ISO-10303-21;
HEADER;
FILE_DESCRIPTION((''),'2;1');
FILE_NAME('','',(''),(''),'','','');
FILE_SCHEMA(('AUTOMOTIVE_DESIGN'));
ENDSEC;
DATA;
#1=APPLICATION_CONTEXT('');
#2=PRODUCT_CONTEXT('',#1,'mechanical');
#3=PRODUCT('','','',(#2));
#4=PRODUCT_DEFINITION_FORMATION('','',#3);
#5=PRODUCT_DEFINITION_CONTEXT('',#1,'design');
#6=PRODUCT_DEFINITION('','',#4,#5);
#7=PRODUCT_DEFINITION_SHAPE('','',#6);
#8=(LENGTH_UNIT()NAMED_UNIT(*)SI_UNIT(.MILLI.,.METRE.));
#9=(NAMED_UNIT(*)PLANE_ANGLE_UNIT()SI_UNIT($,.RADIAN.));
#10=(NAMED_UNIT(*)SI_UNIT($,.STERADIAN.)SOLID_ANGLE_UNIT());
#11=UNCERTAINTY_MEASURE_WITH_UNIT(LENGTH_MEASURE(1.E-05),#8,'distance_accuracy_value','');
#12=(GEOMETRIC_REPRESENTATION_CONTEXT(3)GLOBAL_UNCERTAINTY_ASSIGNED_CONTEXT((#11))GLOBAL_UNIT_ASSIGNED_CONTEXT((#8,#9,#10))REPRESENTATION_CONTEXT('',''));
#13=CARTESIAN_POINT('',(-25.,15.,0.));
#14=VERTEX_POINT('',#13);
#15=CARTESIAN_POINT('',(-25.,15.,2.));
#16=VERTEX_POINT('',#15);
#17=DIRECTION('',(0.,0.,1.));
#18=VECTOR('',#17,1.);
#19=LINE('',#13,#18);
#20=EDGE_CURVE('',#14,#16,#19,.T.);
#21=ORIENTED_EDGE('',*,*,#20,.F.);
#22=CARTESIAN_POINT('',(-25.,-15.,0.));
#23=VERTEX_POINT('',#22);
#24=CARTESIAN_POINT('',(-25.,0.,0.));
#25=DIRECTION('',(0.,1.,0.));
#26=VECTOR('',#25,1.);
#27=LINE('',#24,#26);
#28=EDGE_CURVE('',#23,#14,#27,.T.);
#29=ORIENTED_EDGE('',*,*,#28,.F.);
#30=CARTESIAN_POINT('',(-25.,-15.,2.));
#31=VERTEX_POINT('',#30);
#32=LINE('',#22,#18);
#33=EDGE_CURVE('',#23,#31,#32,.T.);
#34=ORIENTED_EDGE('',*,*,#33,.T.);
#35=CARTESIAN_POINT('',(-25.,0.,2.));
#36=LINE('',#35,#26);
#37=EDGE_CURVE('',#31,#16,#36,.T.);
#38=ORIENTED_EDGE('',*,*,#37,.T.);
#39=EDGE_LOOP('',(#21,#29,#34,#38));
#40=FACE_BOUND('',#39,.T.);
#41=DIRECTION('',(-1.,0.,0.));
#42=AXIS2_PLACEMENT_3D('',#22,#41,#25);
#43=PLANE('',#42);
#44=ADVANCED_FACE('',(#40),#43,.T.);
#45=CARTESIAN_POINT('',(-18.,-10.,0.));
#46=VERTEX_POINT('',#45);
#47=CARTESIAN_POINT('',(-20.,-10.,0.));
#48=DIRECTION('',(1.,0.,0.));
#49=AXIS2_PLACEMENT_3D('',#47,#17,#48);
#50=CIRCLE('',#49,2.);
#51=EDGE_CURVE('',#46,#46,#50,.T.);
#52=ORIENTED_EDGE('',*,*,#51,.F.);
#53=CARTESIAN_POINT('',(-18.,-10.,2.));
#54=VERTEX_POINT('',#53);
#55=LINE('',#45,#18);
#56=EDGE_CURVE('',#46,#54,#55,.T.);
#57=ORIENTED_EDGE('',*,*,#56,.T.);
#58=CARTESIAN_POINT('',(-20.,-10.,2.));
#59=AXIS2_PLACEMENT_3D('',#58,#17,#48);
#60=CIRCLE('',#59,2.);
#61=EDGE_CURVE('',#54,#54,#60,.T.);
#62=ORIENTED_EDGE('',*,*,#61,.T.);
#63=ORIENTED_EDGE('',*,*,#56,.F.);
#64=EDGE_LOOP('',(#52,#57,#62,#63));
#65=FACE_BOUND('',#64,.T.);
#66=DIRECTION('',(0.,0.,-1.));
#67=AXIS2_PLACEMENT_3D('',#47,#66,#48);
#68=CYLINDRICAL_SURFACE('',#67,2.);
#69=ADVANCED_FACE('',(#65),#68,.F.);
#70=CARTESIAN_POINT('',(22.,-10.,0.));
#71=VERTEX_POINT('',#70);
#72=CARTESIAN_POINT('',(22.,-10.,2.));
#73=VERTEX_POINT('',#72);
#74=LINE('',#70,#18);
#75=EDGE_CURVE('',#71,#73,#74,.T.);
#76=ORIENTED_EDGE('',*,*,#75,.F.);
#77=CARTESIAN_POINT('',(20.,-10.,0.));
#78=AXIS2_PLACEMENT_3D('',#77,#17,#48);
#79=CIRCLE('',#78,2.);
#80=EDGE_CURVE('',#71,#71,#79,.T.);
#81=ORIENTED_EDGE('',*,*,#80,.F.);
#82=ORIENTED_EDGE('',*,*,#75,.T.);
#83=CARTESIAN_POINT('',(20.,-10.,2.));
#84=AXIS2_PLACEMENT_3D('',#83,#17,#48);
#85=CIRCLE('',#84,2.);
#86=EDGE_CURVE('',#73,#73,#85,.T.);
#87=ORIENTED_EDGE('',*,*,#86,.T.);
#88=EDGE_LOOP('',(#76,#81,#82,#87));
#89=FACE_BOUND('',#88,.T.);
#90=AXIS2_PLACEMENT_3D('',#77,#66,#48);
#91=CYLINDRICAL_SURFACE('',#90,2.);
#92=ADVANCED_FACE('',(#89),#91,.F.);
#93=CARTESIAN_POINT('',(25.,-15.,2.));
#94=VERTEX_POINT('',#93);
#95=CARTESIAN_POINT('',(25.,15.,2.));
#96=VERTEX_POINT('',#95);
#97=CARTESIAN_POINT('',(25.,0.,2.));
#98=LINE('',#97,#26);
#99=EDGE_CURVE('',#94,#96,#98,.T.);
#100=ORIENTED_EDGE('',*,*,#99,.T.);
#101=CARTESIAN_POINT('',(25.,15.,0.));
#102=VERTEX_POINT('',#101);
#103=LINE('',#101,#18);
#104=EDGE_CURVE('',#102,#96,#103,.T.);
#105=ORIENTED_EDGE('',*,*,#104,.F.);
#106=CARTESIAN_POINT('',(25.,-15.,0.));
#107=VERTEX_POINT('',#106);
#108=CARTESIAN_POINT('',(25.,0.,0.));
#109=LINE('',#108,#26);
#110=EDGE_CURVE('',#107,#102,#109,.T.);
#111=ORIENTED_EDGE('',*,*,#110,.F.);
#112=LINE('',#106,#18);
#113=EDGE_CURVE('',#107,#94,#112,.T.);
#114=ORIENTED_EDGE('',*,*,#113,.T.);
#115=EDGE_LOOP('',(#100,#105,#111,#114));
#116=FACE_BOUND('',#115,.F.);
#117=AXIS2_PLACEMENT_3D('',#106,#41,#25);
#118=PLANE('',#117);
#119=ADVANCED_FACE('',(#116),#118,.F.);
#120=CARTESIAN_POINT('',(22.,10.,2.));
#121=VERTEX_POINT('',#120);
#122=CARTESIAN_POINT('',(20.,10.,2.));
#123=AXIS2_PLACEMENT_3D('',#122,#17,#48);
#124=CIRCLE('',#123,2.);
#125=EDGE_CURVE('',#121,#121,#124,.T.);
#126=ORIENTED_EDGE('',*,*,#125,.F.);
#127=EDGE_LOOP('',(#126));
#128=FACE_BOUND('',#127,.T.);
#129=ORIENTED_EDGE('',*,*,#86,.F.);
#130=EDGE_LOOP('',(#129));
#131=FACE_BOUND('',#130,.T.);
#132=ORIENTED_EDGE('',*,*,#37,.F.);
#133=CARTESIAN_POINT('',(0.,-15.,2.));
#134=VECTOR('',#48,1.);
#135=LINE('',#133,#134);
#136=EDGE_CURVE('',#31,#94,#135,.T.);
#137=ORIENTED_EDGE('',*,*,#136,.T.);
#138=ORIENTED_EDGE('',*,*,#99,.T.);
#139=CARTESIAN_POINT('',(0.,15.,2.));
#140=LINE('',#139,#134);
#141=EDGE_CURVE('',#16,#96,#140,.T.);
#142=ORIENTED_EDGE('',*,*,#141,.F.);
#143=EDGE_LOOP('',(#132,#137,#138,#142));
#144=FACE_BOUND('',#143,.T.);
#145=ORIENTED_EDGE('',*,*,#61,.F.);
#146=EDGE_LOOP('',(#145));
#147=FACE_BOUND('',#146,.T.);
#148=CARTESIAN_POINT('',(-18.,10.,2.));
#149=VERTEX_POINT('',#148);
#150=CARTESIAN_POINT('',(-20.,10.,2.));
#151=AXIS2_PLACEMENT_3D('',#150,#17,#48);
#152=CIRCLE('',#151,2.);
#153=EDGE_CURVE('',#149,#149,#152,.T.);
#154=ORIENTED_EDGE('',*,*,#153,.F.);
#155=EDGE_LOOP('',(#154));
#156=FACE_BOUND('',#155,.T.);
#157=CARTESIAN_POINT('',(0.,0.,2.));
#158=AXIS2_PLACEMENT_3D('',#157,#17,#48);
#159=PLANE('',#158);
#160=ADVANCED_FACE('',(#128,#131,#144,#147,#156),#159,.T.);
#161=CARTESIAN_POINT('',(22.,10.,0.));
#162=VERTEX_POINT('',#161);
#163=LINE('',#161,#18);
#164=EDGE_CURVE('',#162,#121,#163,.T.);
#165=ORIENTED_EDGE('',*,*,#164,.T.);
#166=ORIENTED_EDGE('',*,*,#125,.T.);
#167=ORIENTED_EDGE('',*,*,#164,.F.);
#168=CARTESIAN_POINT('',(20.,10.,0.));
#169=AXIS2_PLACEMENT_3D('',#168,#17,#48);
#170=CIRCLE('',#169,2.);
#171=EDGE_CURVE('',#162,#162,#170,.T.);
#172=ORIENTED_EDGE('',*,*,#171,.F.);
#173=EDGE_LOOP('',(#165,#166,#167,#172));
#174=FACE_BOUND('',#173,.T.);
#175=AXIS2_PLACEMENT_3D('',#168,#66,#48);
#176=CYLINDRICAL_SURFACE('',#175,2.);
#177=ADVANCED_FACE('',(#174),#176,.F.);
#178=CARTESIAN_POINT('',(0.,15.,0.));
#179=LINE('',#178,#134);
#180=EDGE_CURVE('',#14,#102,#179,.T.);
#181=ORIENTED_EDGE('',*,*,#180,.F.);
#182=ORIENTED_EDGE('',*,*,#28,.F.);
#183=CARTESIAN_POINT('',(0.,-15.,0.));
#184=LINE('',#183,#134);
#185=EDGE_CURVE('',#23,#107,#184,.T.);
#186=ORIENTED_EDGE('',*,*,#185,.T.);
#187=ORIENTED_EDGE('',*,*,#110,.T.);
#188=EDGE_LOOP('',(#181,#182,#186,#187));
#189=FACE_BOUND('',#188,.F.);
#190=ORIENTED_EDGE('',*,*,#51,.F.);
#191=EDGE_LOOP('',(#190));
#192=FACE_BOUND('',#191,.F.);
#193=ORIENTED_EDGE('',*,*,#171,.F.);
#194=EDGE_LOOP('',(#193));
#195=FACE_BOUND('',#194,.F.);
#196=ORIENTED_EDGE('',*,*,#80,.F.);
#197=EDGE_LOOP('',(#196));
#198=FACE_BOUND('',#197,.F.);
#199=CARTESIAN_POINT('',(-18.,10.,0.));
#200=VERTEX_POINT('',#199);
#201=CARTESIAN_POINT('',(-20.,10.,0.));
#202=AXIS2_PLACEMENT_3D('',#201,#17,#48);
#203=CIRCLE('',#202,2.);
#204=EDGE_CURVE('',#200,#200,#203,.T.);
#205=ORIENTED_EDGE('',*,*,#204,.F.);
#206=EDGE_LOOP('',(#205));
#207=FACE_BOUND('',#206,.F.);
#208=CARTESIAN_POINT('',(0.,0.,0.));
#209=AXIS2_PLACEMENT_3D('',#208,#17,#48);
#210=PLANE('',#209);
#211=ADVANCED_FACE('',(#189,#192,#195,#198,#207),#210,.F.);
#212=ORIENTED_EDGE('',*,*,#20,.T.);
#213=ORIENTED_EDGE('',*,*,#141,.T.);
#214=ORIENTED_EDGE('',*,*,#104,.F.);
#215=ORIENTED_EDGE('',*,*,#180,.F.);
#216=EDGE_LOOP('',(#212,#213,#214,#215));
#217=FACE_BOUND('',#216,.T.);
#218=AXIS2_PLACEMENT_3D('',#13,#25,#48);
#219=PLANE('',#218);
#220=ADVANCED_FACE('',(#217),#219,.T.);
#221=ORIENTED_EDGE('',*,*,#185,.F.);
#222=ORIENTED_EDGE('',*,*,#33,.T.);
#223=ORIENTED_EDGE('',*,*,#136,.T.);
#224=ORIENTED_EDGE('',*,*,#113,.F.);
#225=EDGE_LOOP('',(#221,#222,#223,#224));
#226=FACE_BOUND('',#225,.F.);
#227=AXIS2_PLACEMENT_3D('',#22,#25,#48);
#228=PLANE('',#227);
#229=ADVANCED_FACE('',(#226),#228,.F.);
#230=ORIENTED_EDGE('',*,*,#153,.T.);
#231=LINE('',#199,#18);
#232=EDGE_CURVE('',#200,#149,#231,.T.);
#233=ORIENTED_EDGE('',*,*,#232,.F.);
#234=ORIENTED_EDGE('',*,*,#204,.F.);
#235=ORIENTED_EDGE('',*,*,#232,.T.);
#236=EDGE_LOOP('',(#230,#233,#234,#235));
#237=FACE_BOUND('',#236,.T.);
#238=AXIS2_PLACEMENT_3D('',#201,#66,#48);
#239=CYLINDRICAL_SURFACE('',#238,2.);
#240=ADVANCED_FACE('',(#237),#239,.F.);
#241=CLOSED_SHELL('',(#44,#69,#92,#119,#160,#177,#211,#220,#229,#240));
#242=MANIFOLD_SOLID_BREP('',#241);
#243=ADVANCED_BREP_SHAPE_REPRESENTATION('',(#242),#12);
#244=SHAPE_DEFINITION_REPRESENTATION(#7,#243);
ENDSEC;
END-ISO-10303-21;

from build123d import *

# Parameters (mm, degrees)
SKETCH_W  = 50
SKETCH_H  = 30
SKETCH_R  = 2
PAD_DEPTH = 2


with BuildPart() as part:
    # Sketch (on XY_Plane of Origin) → Pad (new body)
    with BuildSketch(Plane.XY):
        Rectangle(SKETCH_W, SKETCH_H)
        with Locations((-20, 10)):
            Circle(SKETCH_R, mode=Mode.SUBTRACT)
        with Locations((20, 10)):
            Circle(SKETCH_R, mode=Mode.SUBTRACT)
        with Locations((20, -10)):
            Circle(SKETCH_R, mode=Mode.SUBTRACT)
        with Locations((-20, -10)):
            Circle(SKETCH_R, mode=Mode.SUBTRACT)
    extrude(amount=PAD_DEPTH)


solid = part.part
